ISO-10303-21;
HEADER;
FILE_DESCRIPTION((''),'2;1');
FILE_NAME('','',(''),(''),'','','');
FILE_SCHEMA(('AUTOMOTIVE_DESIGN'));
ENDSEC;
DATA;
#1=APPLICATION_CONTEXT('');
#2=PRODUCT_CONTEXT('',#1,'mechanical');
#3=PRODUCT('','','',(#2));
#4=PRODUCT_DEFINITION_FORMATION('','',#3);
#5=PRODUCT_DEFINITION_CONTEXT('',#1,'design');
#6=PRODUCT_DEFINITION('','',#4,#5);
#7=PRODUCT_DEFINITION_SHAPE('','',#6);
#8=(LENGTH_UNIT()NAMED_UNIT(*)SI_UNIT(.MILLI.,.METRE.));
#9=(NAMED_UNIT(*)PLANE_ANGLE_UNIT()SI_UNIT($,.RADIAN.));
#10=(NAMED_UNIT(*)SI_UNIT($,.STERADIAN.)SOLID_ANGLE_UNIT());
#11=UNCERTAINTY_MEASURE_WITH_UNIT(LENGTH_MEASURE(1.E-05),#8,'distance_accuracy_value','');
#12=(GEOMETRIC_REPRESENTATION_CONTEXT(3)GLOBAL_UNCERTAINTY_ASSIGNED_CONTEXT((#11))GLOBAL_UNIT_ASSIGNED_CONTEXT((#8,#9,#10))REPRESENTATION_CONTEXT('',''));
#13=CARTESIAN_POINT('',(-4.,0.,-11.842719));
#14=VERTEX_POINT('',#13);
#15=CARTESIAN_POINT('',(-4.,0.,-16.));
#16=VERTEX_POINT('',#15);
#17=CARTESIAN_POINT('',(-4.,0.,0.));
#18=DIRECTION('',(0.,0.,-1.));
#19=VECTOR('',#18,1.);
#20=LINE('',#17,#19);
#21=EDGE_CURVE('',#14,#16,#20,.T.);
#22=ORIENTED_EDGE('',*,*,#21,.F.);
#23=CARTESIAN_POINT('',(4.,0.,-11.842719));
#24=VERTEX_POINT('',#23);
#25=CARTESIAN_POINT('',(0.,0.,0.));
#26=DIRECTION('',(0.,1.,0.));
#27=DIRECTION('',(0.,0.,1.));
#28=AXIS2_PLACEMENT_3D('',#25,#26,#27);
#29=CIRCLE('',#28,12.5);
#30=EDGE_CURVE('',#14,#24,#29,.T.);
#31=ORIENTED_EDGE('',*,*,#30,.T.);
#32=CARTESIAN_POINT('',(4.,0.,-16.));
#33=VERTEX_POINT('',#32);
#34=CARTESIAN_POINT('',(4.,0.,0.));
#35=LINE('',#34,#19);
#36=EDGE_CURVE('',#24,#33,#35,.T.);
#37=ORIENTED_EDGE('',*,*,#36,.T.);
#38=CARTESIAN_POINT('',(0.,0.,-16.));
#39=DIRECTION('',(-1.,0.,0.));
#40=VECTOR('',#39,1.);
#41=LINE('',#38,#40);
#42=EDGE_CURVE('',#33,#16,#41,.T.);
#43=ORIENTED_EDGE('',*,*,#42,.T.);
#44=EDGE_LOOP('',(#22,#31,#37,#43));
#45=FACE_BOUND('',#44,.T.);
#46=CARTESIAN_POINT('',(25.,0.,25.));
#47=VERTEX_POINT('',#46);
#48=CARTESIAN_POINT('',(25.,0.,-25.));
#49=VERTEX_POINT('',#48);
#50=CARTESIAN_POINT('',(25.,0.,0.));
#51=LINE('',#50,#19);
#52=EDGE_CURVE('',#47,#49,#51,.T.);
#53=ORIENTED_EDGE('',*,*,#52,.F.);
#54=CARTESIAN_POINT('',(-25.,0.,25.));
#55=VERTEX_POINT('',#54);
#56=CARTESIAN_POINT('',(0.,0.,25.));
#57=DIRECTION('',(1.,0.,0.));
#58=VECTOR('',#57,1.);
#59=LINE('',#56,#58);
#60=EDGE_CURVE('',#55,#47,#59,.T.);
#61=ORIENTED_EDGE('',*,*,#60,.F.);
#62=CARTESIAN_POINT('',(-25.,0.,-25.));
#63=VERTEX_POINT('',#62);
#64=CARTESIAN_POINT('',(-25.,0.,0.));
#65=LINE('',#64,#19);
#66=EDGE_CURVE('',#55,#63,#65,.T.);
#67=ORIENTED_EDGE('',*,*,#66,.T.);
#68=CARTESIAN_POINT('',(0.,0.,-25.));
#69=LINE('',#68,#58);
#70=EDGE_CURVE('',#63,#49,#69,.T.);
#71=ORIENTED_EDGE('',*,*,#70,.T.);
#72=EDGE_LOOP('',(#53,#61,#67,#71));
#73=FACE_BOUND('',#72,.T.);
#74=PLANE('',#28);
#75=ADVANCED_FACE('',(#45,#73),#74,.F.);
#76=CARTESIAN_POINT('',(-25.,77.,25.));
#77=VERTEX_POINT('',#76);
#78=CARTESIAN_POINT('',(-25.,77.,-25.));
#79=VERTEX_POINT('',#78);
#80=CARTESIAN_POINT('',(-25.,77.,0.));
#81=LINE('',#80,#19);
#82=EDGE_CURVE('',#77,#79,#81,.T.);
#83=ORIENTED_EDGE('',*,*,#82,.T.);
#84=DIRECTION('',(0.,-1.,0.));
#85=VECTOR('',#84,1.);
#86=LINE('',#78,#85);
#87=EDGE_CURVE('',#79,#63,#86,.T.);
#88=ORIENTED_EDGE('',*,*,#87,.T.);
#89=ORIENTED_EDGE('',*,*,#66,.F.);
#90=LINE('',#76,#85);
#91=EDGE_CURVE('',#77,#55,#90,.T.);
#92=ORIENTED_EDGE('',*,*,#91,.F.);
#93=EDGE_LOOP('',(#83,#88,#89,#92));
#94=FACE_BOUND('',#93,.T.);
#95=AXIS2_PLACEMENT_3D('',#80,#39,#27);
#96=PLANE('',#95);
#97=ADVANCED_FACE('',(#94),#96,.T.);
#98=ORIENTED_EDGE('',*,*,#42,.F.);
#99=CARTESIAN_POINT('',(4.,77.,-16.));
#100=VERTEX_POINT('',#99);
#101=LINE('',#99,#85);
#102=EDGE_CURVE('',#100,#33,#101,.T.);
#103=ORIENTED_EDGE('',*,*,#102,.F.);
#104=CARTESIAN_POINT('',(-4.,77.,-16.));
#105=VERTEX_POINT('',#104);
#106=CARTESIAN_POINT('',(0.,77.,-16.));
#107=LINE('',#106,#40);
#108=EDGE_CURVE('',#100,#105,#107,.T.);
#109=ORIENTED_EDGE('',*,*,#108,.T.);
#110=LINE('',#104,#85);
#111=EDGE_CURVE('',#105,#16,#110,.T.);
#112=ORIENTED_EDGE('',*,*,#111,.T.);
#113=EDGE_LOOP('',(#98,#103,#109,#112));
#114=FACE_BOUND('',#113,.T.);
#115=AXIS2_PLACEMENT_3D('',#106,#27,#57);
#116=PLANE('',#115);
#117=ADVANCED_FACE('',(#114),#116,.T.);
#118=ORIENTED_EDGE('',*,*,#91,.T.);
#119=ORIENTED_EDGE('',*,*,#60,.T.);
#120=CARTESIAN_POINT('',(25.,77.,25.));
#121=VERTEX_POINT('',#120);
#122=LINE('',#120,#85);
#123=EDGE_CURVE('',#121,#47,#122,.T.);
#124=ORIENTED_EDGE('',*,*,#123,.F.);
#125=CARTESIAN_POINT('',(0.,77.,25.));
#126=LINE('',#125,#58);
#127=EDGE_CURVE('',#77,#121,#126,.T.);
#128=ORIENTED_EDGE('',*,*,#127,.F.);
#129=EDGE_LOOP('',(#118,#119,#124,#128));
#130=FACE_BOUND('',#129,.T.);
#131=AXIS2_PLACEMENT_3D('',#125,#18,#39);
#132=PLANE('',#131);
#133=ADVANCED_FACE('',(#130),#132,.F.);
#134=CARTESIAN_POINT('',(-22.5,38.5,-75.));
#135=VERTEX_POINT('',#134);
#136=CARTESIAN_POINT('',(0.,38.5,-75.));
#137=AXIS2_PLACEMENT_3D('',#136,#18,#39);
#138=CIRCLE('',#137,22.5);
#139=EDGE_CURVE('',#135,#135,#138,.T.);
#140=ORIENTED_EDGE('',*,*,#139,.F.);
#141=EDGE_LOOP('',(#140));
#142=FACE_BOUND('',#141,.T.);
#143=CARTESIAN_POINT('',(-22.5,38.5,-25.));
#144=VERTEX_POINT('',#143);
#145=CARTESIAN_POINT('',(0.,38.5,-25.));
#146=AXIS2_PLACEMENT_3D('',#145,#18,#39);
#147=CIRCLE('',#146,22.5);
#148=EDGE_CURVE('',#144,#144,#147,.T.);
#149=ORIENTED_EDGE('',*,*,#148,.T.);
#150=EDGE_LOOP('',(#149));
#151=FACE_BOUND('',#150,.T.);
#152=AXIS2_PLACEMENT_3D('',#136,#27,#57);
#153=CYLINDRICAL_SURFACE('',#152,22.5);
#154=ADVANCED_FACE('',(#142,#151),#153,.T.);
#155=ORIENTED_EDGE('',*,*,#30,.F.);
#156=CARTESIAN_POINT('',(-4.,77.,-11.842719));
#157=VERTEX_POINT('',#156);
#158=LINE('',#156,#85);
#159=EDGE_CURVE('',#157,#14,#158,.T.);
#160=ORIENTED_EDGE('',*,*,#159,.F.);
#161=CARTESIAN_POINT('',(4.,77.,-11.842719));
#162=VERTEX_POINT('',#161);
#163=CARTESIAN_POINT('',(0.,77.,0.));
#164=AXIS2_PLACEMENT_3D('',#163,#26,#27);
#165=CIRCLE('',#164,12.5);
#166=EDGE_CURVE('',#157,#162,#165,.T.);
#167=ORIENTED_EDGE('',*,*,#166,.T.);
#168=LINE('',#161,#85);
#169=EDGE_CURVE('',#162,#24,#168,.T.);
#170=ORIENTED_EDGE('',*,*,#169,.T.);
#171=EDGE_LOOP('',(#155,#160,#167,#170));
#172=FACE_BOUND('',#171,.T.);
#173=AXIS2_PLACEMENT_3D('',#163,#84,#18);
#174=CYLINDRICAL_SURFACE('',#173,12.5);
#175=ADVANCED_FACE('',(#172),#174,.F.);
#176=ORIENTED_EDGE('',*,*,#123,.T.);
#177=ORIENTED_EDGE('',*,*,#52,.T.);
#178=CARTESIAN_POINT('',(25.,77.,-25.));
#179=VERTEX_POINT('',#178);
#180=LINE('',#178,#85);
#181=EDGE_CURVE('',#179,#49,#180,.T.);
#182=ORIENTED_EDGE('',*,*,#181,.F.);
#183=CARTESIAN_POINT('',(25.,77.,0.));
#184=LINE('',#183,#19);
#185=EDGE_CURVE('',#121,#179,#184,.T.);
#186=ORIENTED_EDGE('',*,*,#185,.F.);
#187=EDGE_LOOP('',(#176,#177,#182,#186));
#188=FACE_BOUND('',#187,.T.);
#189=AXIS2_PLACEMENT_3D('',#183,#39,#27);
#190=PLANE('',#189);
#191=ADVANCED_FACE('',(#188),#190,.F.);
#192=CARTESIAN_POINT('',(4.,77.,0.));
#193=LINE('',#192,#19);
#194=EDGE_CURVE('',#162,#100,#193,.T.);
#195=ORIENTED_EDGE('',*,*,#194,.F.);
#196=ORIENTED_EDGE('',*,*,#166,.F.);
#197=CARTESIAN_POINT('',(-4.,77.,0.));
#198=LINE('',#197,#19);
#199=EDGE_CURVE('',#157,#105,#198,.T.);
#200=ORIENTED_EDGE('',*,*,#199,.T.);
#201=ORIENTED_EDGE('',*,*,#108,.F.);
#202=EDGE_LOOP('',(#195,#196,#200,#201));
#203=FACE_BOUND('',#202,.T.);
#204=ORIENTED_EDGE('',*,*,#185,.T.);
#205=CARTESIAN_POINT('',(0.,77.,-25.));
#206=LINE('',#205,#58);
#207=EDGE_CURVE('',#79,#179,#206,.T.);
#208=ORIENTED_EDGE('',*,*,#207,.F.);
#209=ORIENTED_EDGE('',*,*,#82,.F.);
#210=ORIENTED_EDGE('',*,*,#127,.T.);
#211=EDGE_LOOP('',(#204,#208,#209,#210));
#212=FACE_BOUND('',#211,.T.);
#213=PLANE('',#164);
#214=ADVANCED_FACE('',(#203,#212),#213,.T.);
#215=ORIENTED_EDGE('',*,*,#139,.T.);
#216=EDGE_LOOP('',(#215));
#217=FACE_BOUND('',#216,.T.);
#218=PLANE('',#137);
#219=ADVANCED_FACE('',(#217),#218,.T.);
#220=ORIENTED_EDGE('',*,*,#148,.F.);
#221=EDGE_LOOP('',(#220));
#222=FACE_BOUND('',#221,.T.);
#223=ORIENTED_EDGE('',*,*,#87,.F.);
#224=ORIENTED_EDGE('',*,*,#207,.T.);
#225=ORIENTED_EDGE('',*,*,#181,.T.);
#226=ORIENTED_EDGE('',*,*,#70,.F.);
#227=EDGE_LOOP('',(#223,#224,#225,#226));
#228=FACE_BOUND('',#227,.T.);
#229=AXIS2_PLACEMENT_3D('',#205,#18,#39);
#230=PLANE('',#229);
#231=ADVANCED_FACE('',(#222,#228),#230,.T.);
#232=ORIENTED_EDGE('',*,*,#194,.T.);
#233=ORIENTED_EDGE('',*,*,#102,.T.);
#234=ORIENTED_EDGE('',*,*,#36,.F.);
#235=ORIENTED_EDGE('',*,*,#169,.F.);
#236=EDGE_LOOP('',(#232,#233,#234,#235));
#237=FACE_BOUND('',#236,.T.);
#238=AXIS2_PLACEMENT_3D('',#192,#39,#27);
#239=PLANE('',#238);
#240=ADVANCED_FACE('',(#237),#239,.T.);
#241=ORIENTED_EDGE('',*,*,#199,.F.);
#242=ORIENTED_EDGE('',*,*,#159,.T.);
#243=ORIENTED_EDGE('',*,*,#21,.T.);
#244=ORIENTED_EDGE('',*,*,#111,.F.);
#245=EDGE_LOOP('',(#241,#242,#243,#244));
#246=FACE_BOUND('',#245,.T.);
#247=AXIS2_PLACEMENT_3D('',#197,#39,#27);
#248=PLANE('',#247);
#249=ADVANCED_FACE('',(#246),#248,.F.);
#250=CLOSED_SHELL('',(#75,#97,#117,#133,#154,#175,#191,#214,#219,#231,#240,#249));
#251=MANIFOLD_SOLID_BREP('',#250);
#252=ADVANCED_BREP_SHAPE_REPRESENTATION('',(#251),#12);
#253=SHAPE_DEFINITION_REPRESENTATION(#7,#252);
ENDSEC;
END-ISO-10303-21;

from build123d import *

# Parameters (mm, degrees)
SKETCH1_W           = 50
SKETCH1_H           = 50
BOSS_EXTRUDE1_DEPTH = 77
SKETCH2_R           = 22.5
BOSS_EXTRUDE2_DEPTH = 50


with BuildPart() as part:
    # Sketch1 → Boss-Extrude1 (new body)
    with BuildSketch(Plane(origin=(0, 0, 0), x_dir=(1, 0, 0), z_dir=(0, 1, 0))):
        Rectangle(SKETCH1_W, SKETCH1_H)
        with BuildLine():
            Line((4, 16), (4, 11.842719282))
            ThreePointArc((4, 11.842719282), (10.155048006, 7.288689869), (12.5, 0))
            ThreePointArc((12.5, 0), (-7.288689869, -10.155048006), (-4, 11.842719282))
            Line((-4, 11.842719282), (-4, 16))
            Line((-4, 16), (4, 16))
        make_face(mode=Mode.SUBTRACT)
    extrude(amount=BOSS_EXTRUDE1_DEPTH)

    # Sketch2 → Boss-Extrude2 (add)
    with BuildSketch(Plane(origin=(0, 0, -25), x_dir=(-1, 0, 0), z_dir=(0, 0, -1))):
        with Locations((0, 38.5)):
            Circle(SKETCH2_R)
    extrude(amount=BOSS_EXTRUDE2_DEPTH)


solid = part.part
